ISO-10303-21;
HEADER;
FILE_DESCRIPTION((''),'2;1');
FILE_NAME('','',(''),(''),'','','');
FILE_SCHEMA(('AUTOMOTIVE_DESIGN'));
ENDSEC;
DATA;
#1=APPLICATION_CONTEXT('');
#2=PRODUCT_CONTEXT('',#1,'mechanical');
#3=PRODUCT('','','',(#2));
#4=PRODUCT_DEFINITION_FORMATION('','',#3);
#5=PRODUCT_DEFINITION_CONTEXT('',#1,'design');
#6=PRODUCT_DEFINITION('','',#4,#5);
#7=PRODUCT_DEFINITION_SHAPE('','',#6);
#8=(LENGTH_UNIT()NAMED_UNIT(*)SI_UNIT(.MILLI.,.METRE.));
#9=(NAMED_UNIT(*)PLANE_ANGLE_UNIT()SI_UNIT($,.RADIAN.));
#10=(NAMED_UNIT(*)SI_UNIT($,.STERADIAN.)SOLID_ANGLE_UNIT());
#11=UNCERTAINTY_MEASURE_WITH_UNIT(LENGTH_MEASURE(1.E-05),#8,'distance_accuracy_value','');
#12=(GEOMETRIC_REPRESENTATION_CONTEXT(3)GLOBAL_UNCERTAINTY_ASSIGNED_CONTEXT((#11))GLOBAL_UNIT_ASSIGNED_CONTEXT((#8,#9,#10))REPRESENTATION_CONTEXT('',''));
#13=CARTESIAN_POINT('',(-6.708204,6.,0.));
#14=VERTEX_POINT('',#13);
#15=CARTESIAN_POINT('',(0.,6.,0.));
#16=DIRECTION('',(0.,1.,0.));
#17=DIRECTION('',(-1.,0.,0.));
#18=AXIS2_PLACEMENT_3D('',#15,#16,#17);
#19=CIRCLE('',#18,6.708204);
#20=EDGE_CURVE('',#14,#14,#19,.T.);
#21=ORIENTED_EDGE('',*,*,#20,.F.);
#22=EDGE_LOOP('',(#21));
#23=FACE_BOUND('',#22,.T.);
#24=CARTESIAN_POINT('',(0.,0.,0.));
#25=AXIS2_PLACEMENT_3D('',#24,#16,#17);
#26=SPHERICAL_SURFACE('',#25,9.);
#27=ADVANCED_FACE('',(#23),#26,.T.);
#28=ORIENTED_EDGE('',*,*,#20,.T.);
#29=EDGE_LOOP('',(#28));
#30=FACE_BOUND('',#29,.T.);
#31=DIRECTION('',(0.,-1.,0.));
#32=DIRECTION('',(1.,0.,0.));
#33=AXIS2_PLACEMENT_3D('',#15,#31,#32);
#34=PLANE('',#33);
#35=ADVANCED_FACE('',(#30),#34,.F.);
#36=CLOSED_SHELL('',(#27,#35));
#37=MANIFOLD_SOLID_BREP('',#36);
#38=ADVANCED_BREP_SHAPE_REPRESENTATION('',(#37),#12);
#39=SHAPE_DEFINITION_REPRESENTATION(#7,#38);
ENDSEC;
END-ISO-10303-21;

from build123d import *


with BuildPart() as part:
    # 草图1 → 旋转1 (revolve)
    with BuildSketch(Plane.XY, mode=Mode.PRIVATE) as revolve_1_sk:
        with BuildLine():
            Line((0, 6), (6.708203932, 6))
            ThreePointArc((6.708203932, 6), (8.215838363, -3.674234614), (0, -9))
            Line((0, -9), (0, 6))
        make_face()
    revolve(revolve_1_sk.sketch.rotate(Axis((0, 6, 0), (0, -1, 0)), 180), axis=Axis((0, 6, 0), (0, -1, 0)))


solid = part.part
